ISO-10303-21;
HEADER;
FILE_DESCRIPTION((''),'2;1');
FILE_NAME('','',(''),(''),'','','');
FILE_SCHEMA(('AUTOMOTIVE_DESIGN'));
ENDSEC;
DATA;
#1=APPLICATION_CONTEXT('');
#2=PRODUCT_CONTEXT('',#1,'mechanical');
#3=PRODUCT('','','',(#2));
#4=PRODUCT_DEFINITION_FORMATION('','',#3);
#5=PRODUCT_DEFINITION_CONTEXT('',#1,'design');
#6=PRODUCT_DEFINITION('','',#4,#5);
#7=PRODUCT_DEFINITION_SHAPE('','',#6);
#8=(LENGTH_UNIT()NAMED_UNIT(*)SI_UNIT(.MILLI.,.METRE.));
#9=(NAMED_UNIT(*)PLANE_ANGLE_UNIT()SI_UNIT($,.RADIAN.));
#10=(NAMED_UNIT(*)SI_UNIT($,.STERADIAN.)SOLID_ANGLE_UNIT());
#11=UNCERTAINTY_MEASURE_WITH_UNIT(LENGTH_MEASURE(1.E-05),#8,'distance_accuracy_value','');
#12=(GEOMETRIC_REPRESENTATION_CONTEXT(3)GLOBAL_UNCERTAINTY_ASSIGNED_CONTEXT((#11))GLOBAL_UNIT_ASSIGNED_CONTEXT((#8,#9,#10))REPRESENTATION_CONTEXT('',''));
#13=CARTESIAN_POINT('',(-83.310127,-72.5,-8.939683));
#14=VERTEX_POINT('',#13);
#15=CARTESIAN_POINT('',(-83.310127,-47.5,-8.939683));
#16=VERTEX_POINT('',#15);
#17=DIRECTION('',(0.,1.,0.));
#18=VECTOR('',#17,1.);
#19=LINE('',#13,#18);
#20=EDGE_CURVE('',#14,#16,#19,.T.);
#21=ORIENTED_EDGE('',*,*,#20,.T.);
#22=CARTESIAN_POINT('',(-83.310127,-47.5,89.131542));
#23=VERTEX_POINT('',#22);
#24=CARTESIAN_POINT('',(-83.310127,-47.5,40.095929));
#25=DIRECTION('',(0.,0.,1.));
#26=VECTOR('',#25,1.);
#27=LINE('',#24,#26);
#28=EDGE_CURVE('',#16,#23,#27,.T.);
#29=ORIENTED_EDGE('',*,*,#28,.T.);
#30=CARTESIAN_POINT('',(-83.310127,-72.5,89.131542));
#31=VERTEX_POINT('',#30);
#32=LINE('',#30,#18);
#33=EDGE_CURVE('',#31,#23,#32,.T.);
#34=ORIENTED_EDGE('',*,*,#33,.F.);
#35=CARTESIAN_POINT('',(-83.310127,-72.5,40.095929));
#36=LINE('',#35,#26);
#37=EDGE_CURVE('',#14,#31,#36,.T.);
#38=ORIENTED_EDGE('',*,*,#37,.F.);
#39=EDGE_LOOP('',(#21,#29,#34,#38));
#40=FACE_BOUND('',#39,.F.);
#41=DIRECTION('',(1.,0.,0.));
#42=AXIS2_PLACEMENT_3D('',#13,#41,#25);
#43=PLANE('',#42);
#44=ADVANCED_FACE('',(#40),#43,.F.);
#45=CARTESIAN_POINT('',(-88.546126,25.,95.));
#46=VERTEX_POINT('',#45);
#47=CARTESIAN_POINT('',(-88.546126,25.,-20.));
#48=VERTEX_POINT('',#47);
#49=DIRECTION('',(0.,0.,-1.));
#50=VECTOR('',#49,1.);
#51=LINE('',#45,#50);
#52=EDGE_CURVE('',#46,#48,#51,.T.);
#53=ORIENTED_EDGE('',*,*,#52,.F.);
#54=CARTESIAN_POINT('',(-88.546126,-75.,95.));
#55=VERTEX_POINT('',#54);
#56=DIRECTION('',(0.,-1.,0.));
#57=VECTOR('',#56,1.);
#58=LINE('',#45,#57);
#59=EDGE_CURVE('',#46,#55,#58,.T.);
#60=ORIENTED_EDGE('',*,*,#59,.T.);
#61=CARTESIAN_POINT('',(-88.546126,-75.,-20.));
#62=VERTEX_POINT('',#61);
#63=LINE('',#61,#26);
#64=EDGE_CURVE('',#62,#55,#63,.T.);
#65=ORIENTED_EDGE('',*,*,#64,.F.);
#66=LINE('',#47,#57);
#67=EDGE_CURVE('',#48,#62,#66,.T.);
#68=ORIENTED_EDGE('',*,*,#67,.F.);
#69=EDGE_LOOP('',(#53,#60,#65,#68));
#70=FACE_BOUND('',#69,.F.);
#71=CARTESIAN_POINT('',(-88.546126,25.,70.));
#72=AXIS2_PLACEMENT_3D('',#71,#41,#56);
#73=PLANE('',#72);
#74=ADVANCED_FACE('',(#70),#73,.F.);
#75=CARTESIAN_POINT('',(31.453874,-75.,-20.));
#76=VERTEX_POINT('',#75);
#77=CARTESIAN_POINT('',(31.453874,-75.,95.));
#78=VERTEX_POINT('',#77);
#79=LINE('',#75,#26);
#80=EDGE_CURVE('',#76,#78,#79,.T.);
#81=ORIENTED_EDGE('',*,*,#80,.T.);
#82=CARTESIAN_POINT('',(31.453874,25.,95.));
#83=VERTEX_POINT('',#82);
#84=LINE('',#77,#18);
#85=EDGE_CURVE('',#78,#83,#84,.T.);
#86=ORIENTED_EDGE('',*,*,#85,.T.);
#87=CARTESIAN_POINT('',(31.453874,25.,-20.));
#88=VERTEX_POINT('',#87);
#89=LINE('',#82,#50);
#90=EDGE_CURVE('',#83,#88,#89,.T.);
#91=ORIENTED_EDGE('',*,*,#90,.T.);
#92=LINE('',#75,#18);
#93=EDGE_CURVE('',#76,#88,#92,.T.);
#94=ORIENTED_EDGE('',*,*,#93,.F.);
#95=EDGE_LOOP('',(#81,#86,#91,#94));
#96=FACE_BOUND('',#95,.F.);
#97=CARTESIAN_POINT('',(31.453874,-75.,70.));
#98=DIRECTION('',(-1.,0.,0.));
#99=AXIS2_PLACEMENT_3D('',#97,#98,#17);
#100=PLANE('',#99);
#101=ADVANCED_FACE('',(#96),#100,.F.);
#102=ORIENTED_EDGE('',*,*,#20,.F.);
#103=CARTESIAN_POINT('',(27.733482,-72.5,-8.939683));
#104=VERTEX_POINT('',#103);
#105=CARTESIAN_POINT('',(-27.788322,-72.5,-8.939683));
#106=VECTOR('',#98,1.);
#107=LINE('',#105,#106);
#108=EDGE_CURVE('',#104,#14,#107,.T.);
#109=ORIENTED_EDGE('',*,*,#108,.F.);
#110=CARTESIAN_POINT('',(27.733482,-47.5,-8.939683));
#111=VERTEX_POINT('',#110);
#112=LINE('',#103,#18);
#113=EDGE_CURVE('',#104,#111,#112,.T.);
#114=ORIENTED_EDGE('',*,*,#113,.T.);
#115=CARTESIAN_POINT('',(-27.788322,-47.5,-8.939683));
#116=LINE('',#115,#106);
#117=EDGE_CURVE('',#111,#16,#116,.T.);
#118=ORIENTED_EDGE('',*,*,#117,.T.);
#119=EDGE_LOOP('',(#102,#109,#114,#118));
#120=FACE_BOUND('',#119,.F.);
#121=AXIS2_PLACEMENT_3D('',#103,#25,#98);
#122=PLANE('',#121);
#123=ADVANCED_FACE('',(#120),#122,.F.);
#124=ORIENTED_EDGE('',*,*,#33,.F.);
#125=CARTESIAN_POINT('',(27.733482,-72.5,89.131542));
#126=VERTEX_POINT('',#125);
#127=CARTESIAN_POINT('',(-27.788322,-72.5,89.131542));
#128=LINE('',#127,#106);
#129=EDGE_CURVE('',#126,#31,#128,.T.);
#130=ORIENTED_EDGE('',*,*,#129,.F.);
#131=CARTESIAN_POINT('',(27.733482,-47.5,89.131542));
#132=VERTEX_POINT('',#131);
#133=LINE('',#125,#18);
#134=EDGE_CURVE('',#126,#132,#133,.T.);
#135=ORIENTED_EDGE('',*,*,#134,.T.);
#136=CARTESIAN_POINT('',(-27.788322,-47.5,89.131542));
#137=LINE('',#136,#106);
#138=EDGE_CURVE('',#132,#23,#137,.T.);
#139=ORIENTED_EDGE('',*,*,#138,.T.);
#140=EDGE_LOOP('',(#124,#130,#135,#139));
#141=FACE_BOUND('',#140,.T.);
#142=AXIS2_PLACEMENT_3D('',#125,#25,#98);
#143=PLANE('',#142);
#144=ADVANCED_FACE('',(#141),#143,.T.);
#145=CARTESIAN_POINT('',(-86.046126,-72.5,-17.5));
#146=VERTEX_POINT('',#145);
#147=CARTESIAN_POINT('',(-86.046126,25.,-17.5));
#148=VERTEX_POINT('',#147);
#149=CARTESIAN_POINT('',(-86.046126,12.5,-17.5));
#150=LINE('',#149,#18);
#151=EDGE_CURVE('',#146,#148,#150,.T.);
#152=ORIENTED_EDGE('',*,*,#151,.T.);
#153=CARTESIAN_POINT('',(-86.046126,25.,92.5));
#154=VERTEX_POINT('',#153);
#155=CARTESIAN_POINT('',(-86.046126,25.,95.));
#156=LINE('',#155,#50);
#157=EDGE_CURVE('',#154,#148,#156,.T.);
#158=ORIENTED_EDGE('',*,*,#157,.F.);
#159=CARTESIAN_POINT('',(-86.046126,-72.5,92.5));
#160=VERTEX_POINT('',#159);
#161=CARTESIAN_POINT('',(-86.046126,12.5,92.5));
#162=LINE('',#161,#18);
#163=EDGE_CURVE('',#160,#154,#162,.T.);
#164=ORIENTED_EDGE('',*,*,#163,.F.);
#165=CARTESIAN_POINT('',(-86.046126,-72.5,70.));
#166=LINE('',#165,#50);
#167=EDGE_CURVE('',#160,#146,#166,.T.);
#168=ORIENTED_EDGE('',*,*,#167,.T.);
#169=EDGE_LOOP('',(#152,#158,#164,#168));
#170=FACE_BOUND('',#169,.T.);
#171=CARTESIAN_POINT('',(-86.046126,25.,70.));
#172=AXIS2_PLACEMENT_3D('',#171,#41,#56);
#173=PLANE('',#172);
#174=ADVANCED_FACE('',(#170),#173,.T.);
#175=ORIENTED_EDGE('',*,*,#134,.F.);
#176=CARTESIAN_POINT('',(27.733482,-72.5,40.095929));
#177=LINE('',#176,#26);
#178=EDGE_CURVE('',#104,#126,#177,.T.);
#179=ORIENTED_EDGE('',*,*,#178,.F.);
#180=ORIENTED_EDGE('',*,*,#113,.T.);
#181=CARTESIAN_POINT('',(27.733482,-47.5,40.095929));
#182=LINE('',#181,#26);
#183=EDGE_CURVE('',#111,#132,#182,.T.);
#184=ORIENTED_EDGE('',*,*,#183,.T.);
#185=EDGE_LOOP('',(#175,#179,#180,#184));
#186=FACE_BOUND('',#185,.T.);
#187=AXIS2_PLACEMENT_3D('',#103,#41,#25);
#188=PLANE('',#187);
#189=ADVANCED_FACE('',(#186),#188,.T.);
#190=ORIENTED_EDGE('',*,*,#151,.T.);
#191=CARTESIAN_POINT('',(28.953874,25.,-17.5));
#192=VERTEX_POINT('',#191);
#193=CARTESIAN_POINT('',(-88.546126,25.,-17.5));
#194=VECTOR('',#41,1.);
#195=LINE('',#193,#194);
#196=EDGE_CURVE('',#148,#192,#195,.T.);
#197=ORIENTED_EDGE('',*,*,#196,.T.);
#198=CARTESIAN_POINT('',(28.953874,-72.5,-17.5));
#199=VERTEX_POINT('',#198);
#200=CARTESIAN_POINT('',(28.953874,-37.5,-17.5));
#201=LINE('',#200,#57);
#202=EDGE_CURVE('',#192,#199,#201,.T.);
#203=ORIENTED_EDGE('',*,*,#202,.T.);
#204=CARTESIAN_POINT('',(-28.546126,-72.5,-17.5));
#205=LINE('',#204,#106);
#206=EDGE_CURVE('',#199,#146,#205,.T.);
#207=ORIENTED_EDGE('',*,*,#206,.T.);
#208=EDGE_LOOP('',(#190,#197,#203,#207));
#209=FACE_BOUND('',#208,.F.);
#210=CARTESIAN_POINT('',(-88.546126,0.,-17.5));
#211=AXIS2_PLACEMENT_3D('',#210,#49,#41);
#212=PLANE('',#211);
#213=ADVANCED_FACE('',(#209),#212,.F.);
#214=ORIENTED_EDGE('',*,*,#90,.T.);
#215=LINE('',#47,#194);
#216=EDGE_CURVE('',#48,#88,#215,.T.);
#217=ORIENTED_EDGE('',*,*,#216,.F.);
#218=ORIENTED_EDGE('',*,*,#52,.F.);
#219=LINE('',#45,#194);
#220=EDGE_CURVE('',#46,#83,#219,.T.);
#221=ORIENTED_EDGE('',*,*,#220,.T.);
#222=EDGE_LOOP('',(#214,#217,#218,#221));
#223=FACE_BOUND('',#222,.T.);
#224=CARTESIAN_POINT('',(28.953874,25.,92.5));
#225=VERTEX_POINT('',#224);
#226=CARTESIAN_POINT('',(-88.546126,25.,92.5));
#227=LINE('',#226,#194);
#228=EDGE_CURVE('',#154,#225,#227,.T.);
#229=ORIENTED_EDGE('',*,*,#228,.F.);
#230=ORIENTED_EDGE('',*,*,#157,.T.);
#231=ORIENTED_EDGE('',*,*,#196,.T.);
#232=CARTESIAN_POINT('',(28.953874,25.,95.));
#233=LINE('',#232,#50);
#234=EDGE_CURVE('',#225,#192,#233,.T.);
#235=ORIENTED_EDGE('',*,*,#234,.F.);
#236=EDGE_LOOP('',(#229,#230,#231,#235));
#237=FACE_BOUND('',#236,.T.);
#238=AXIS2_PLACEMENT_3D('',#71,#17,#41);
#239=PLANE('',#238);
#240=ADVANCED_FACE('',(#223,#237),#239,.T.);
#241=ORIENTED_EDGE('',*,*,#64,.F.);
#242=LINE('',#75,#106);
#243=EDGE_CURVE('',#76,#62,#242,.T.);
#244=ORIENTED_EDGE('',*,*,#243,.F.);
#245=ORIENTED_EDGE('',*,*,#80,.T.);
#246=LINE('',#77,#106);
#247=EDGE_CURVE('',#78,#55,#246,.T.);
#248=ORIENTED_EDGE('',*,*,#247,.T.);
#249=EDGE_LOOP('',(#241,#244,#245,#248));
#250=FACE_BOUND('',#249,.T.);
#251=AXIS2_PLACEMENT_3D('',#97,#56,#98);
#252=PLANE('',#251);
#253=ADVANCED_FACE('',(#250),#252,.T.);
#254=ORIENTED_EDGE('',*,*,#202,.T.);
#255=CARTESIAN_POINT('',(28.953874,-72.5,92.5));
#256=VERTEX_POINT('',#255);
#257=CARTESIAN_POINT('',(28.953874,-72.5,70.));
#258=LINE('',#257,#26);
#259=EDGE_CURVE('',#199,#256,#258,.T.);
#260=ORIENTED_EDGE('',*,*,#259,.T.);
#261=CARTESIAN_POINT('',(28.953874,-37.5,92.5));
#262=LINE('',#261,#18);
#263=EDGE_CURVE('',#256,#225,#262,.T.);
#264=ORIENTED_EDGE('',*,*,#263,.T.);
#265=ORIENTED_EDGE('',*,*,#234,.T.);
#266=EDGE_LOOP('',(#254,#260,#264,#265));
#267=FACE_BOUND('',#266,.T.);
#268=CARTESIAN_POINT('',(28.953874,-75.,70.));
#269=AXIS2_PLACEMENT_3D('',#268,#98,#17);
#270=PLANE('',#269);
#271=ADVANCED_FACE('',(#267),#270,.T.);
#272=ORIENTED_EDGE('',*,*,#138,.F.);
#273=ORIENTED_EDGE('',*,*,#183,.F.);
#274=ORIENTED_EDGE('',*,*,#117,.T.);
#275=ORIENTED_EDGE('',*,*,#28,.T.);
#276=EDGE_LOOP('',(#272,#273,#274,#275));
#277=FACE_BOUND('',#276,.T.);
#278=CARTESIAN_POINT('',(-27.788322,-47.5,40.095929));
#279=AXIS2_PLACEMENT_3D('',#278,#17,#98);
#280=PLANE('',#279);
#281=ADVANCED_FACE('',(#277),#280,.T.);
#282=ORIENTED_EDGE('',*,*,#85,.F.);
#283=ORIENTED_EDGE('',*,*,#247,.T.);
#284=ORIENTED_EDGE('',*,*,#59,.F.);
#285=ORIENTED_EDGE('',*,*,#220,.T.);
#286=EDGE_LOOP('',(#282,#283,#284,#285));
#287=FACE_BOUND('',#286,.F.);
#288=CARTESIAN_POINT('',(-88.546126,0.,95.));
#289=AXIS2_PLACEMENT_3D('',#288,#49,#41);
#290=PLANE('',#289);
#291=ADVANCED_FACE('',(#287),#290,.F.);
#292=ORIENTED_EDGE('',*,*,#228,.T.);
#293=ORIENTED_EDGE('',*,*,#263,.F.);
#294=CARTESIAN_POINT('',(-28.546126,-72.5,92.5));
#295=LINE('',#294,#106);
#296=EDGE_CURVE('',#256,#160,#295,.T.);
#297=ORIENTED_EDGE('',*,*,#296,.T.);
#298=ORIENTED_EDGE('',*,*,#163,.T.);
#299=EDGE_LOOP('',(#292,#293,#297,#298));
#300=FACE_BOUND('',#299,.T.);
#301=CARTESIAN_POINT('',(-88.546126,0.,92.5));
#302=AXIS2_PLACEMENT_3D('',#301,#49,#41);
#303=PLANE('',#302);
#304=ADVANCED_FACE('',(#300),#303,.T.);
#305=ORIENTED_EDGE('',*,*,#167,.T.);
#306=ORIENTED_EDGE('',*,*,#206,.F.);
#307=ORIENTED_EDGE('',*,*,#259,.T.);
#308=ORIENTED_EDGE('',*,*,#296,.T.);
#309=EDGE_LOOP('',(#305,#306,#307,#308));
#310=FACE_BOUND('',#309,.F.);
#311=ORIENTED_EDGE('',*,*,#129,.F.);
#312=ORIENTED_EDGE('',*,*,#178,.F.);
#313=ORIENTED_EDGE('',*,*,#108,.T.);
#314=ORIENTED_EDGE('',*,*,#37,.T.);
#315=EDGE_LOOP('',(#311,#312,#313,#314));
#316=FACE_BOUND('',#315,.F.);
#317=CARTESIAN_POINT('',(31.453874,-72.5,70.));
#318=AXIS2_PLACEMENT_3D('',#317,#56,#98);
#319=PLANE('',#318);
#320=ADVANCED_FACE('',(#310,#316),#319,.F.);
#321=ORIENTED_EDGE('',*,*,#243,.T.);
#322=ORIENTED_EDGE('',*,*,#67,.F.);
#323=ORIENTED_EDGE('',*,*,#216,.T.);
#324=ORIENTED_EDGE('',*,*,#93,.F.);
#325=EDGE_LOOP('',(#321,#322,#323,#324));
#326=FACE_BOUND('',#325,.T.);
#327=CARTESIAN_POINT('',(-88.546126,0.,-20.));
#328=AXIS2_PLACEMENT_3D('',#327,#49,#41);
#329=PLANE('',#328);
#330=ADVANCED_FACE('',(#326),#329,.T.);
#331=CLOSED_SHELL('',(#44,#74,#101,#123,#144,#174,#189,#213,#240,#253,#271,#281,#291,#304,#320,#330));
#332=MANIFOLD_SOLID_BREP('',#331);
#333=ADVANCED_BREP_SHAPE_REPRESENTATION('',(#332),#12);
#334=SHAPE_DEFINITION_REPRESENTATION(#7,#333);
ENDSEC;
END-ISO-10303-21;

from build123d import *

# Parameters (mm, degrees)
F0_W      = 70
F0_H      = 40
F1_DEPTH  = 25
F2_DEPTH  = 25
F3_DEPTH  = 25
F4_DEPTH  = 25
F5_DEPTH  = 25
F6_DEPTH  = 25
F7_DEPTH  = 25
F8_DEPTH  = 25
F9_DEPTH  = 25
F10_T     = -2.5
F11_W     = 111.0436096787
F11_H     = 98.0712249875
F12_DEPTH = 25


with BuildPart() as f1:
    # F0 (on Front) → F1 (new body)
    with BuildSketch(Plane.XZ):
        with Locations((-3.5461261868, 0)):
            Rectangle(F0_W, F0_H)
    extrude(amount=F1_DEPTH)

    # F2 (add): a face of the model
    f2_faces = [f1.faces().sort_by_distance(p)[0] for p in [
        (-38.5461261868, -12.5, 0),
    ]]
    extrude(f2_faces, amount=F2_DEPTH)

    # F3 (add): a face of the model
    f3_faces = [f1.faces().sort_by_distance(p)[0] for p in [
        (-63.5461261868, -12.5, 0),
    ]]
    extrude(f3_faces, amount=F3_DEPTH)

    # F4 (add): a face of the model
    f4_faces = [f1.faces().sort_by_distance(p)[0] for p in [
        (-28.5461261868, -12.5, 20),
    ]]
    extrude(f4_faces, amount=F4_DEPTH)

    # F5 (add): a face of the model
    f5_faces = [f1.faces().sort_by_distance(p)[0] for p in [
        (-28.5461261868, -12.5, 45),
    ]]
    extrude(f5_faces, amount=F5_DEPTH)

    # F6 (add): a face of the model
    f6_faces = [f1.faces().sort_by_distance(p)[0] for p in [
        (-28.5461261868, -25, 25),
    ]]
    extrude(f6_faces, amount=F6_DEPTH)

    # F7 (add): a face of the model
    f7_faces = [f1.faces().sort_by_distance(p)[0] for p in [
        (-28.5461261868, -50, 25),
    ]]
    extrude(f7_faces, amount=F7_DEPTH)

    # F8 (add): a face of the model
    f8_faces = [f1.faces().sort_by_distance(p)[0] for p in [
        (-28.5461261868, 0, 25),
    ]]
    extrude(f8_faces, amount=F8_DEPTH)

    # F9 (add): a face of the model
    f9_faces = [f1.faces().sort_by_distance(p)[0] for p in [
        (-28.5461261868, -25, 70),
    ]]
    extrude(f9_faces, amount=F9_DEPTH)

    # F10
    f10_openings = [f1.faces().sort_by_distance(p)[0] for p in [
        (-28.546126, 25, 37.5),
    ]]
    offset(amount=F10_T, openings=f10_openings)

    # F11 (on face) → F12 (join)
    with BuildSketch(Plane(origin=(0, -72.5, 0), x_dir=(-1, 0, 0), z_dir=(0, 1, 0))):
        with Locations((27.7883224189, 40.0959290564)):
            Rectangle(F11_W, F11_H)
    extrude(amount=F12_DEPTH)


solid = f1.part
